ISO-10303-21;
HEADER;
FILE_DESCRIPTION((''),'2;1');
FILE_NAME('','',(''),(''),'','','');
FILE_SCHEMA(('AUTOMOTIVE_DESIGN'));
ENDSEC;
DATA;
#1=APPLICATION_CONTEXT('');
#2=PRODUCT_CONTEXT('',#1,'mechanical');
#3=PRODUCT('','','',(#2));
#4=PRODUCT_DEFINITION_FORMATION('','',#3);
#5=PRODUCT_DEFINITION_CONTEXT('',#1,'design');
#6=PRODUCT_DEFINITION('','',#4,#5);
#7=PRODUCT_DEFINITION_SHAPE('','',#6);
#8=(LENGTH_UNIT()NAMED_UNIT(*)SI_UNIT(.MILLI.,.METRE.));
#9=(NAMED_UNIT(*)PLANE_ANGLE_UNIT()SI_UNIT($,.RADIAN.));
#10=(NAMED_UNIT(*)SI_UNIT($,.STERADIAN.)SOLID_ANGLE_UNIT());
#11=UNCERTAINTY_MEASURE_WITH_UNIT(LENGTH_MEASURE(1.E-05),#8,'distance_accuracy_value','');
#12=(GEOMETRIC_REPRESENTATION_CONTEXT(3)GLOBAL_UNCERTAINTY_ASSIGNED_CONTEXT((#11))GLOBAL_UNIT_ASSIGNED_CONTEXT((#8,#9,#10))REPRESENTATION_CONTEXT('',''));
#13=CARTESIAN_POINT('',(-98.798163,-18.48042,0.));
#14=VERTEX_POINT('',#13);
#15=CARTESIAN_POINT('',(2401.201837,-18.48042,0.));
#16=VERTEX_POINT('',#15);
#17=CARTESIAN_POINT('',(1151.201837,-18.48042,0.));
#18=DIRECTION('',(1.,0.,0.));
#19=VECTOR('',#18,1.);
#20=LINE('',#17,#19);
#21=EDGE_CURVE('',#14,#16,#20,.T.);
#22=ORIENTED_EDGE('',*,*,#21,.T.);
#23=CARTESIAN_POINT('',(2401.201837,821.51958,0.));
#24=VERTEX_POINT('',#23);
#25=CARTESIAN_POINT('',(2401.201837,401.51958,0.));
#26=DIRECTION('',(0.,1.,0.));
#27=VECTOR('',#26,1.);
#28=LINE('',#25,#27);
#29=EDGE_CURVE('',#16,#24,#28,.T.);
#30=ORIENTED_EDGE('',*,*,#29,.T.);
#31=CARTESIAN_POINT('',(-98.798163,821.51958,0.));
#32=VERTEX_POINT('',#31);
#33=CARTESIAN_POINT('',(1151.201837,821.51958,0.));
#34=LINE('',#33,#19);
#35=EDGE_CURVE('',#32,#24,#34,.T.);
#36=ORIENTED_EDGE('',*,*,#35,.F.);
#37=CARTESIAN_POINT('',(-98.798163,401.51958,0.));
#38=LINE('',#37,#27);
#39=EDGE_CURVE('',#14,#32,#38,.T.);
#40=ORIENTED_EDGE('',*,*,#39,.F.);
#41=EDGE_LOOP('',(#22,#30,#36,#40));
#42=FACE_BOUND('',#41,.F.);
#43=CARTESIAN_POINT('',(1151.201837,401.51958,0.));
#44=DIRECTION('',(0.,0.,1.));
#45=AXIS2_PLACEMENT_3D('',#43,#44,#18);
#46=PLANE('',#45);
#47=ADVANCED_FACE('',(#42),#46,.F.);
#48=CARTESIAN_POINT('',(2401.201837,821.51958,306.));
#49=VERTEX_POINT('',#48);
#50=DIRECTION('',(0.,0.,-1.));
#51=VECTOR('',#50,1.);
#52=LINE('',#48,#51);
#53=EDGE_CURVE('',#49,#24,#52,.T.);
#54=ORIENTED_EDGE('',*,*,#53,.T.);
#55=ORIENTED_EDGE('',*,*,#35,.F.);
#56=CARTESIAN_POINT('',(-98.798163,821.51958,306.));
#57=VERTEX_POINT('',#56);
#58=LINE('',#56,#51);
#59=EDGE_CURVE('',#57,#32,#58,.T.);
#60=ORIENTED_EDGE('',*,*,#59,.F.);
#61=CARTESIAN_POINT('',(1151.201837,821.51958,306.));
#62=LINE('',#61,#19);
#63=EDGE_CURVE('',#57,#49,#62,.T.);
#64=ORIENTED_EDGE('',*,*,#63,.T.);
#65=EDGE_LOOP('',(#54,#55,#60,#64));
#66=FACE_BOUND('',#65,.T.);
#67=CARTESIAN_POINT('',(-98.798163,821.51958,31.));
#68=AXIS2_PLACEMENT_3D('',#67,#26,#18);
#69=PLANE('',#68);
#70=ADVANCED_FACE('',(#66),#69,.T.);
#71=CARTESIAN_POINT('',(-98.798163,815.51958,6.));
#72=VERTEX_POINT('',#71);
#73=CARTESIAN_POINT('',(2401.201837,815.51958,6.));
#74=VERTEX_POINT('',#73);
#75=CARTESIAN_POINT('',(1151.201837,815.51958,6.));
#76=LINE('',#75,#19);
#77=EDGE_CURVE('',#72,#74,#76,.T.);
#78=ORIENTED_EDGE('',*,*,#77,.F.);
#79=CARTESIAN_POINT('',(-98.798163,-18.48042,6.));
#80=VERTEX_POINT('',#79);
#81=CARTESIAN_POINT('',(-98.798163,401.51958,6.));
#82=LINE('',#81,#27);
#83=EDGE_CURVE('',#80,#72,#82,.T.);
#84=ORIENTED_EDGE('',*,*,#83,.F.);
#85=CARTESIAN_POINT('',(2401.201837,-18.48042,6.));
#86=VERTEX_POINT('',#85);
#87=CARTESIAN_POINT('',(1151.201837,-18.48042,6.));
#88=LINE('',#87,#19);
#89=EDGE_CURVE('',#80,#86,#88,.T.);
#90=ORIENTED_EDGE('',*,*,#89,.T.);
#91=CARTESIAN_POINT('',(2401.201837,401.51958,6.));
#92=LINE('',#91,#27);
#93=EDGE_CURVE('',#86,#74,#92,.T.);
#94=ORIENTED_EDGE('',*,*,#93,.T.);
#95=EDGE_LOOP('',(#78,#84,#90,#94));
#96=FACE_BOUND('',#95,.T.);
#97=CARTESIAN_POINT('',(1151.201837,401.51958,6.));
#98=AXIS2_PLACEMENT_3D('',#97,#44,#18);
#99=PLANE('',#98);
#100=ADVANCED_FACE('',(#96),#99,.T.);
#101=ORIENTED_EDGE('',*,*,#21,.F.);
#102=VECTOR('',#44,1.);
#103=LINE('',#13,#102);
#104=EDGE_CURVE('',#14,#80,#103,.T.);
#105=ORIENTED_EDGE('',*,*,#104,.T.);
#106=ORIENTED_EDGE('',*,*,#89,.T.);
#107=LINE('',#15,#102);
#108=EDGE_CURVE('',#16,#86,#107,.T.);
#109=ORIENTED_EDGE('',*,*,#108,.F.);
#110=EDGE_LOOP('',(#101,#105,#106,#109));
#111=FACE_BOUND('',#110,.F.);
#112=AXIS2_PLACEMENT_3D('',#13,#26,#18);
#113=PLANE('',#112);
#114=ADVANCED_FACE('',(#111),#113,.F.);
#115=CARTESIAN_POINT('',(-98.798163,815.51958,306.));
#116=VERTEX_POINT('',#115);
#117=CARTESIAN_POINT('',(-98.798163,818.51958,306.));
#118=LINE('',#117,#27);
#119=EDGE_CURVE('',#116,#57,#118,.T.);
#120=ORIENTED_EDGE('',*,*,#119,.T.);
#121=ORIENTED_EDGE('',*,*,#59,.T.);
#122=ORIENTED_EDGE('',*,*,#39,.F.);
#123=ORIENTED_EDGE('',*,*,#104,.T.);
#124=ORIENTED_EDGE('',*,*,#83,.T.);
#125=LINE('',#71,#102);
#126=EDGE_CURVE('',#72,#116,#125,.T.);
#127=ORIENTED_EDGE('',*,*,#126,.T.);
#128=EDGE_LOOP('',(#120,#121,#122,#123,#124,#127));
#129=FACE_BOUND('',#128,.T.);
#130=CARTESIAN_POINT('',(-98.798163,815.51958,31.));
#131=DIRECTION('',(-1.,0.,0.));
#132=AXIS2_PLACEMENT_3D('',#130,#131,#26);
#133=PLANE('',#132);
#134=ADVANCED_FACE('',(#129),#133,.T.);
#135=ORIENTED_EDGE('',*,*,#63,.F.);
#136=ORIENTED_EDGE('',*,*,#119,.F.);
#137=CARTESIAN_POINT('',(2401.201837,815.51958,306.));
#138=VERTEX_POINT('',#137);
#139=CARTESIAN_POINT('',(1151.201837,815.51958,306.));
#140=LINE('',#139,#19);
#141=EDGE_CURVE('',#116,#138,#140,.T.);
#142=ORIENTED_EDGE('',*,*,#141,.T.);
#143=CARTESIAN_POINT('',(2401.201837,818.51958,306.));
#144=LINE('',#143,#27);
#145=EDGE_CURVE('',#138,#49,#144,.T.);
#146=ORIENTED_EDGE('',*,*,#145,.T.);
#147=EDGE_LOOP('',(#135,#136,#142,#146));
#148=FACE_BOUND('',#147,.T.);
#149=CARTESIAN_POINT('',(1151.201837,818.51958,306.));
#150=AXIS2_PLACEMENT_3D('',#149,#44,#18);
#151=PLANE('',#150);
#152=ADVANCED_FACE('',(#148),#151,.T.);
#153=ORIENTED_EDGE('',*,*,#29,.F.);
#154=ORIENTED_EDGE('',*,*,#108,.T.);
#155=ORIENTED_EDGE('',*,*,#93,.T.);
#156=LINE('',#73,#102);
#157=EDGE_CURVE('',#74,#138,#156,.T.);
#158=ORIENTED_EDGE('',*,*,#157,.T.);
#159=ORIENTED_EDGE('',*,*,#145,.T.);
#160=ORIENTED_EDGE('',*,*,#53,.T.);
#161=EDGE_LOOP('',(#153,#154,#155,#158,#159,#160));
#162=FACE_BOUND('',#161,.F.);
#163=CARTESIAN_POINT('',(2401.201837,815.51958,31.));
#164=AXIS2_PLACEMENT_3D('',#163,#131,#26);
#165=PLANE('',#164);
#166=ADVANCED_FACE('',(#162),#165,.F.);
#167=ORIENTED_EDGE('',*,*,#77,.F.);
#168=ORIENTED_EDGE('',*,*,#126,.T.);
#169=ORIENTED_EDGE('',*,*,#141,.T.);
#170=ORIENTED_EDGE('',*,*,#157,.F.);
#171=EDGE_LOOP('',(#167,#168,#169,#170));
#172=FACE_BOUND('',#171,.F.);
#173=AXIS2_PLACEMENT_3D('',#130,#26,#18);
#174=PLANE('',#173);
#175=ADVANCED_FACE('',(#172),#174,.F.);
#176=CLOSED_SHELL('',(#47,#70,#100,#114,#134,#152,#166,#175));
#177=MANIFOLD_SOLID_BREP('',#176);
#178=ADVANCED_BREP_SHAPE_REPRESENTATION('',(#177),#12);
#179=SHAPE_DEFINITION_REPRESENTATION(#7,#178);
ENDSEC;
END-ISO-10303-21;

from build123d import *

# Parameters (mm, degrees)
F0_W      = 2500
F0_H      = 840
F1_DEPTH  = 6
F2_W      = 2500
F2_H      = 6
F3_DEPTH  = 25
F3_FACE_W = 2500
F3_FACE_H = 6
F4_DEPTH  = 275


with BuildPart() as f1:
    # F0 (on Top) → F1 (new body)
    with BuildSketch(Plane.XY):
        with Locations((1151.201837, 401.51958)):
            Rectangle(F0_W, F0_H)
    extrude(amount=F1_DEPTH)

    # F2 (on face) → F3 (join)
    with BuildSketch(Plane.XY.offset(6)):
        with Locations((1151.201837, 818.51958)):
            Rectangle(F2_W, F2_H)
    extrude(amount=F3_DEPTH)

    # F3_face (on face) → F4 (join)
    with BuildSketch(Plane(origin=(1151.201837, 818.51958, 31), x_dir=(1, 0, 0), z_dir=(0, 0, 1))):
        Rectangle(F3_FACE_W, F3_FACE_H)
    extrude(amount=F4_DEPTH)


solid = f1.part
